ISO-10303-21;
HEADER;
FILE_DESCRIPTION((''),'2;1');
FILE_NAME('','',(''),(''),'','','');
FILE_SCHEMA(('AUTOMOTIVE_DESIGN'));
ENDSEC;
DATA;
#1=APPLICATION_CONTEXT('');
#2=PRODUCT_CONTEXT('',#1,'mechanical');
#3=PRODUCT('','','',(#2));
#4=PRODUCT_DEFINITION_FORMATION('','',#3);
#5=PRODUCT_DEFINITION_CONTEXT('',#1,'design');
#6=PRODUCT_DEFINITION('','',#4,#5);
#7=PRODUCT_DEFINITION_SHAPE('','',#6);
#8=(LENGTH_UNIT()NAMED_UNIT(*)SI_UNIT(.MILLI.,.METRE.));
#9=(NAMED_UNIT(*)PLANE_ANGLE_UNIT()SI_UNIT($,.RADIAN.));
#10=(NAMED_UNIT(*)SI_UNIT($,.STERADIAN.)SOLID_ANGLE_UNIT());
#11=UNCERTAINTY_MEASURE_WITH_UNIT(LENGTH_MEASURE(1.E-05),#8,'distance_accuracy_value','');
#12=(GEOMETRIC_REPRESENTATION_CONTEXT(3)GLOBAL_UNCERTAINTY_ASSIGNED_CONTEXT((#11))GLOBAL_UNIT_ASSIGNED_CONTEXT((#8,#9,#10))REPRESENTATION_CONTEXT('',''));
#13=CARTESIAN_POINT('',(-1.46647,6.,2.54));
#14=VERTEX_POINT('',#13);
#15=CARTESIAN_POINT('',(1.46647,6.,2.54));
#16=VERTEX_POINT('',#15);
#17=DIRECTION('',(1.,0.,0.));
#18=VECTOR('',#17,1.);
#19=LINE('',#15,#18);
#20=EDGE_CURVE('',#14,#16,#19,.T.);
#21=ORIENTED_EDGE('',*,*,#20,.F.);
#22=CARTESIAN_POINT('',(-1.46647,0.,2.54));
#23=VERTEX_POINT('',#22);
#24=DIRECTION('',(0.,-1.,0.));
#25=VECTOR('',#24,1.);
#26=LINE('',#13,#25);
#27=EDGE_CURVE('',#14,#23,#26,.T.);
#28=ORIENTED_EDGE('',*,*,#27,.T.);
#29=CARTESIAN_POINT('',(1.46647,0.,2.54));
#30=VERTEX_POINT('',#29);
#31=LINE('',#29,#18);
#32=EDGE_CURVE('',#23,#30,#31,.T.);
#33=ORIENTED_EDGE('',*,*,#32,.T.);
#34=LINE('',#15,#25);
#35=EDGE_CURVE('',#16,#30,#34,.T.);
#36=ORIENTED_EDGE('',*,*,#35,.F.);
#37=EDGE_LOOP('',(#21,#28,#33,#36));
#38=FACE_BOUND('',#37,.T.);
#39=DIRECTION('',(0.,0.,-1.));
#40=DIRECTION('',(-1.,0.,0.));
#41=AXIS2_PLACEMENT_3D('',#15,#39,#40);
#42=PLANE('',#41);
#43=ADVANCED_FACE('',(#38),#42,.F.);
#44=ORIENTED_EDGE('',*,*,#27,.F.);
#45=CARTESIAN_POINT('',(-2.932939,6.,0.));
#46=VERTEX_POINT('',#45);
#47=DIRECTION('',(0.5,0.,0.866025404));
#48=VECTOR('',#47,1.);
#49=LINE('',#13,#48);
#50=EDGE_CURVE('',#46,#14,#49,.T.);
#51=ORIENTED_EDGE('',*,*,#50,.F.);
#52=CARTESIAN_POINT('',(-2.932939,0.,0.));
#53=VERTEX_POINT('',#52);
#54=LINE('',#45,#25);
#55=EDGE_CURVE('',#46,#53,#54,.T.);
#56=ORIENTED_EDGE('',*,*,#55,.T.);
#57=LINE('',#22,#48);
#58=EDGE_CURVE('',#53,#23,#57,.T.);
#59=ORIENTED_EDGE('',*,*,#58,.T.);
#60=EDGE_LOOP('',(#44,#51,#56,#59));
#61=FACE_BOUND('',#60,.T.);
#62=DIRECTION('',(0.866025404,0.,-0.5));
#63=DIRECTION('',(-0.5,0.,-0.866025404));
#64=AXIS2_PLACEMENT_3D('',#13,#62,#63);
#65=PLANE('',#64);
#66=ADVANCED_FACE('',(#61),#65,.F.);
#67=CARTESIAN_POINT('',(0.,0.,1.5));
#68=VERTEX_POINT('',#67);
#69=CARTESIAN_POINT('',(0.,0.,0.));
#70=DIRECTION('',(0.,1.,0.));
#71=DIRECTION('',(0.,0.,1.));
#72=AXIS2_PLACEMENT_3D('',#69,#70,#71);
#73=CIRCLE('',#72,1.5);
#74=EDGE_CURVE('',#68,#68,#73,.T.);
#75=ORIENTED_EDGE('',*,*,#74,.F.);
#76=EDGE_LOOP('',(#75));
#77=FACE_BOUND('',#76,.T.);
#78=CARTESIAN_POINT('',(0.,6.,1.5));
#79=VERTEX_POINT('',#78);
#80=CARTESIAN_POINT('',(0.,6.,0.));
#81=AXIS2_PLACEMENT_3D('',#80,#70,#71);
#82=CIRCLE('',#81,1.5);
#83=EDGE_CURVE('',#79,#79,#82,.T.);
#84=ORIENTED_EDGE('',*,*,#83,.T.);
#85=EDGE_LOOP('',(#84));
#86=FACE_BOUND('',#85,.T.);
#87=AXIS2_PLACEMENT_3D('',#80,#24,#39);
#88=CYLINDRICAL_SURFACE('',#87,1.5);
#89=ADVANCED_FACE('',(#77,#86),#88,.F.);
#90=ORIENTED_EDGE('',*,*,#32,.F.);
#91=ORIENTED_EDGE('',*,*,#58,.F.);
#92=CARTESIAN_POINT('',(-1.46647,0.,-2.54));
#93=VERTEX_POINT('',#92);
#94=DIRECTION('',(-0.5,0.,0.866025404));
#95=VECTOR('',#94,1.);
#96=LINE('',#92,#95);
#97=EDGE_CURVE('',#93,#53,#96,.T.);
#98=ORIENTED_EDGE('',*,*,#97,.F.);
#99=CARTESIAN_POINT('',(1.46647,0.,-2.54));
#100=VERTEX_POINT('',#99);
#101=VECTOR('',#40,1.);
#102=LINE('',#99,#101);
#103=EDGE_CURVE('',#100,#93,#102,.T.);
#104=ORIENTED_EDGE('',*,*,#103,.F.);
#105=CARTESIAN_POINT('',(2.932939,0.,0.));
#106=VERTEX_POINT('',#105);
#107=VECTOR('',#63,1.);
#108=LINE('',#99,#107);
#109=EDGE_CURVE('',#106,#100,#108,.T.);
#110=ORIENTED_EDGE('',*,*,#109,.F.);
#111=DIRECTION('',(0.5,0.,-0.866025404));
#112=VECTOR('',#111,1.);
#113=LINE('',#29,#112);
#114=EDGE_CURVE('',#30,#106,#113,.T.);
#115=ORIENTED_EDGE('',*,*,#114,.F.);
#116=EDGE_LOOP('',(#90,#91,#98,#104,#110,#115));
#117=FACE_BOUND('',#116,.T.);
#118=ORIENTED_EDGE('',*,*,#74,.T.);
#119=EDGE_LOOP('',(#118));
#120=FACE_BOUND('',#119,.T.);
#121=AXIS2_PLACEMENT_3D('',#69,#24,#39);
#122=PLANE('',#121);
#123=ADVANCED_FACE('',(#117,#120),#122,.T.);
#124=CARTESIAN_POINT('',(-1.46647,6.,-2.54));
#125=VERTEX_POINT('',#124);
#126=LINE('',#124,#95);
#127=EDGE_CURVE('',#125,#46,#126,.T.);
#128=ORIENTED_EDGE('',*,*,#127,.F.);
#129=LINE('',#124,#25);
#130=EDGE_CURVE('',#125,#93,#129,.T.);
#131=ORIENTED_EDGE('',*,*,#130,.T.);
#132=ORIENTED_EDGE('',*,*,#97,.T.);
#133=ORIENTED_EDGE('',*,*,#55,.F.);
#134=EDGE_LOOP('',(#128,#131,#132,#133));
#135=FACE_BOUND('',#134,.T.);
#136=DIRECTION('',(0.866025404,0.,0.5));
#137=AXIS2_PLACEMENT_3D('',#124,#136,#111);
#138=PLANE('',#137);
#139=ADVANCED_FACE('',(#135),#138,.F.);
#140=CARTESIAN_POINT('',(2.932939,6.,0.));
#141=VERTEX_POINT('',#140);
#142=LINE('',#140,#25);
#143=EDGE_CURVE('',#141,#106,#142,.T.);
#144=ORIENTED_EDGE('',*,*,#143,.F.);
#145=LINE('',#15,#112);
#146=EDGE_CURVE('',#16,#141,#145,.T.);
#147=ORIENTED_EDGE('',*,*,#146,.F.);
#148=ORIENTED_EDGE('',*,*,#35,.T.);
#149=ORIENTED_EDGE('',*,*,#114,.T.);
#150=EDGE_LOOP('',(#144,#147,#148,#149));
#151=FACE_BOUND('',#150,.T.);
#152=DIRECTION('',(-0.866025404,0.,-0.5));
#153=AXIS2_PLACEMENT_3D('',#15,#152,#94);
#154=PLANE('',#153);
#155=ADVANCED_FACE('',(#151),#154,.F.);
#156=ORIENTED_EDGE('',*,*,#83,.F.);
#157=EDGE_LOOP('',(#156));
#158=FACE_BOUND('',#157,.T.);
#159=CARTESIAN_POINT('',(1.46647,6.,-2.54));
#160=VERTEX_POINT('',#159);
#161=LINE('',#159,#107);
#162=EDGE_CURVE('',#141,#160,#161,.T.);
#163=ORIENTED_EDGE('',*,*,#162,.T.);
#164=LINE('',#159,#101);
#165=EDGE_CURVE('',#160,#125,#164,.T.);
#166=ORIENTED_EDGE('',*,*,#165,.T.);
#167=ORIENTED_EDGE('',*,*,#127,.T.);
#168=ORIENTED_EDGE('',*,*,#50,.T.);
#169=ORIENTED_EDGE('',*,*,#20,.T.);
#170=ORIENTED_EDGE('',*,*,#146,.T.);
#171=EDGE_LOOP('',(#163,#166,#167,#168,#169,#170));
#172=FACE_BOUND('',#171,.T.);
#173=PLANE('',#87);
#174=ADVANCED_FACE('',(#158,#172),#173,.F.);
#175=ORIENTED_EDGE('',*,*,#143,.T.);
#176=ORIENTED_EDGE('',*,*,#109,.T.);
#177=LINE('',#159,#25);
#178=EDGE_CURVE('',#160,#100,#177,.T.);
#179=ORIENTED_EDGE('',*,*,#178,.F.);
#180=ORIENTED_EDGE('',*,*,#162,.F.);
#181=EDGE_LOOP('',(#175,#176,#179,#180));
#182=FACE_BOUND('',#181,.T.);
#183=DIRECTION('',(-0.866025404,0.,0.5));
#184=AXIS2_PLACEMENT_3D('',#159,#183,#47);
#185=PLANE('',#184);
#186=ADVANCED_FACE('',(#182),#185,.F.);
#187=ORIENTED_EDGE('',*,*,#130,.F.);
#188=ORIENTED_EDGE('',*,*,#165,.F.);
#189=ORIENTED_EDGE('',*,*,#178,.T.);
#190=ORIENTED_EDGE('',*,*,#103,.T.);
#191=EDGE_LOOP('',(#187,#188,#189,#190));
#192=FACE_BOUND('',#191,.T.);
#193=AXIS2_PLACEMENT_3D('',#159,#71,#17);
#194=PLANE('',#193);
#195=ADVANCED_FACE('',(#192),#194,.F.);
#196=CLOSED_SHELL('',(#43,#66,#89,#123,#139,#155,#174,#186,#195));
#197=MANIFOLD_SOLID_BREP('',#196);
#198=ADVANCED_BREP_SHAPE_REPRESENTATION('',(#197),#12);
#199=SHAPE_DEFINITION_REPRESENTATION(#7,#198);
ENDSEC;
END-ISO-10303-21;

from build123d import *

# Parameters (mm, degrees)
SKETCH1_R           = 1.5
BOSS_EXTRUDE1_DEPTH = 6


with BuildPart() as part:
    # Sketch1 → Boss-Extrude1 (new body)
    with BuildSketch(Plane(origin=(0, 0, 0), x_dir=(1, 0, 0), z_dir=(0, 1, 0))):
        Polygon((1.466469684, 2.54), (-1.466469684, 2.54), (-2.932939367, 0), (-1.466469684, -2.54), (1.466469684, -2.54), (2.932939367, 0), align=None)
        with Locations(Location((0, 0, 0), (0, 0, 270))):
            Circle(SKETCH1_R, mode=Mode.SUBTRACT)
    extrude(amount=BOSS_EXTRUDE1_DEPTH)


solid = part.part
